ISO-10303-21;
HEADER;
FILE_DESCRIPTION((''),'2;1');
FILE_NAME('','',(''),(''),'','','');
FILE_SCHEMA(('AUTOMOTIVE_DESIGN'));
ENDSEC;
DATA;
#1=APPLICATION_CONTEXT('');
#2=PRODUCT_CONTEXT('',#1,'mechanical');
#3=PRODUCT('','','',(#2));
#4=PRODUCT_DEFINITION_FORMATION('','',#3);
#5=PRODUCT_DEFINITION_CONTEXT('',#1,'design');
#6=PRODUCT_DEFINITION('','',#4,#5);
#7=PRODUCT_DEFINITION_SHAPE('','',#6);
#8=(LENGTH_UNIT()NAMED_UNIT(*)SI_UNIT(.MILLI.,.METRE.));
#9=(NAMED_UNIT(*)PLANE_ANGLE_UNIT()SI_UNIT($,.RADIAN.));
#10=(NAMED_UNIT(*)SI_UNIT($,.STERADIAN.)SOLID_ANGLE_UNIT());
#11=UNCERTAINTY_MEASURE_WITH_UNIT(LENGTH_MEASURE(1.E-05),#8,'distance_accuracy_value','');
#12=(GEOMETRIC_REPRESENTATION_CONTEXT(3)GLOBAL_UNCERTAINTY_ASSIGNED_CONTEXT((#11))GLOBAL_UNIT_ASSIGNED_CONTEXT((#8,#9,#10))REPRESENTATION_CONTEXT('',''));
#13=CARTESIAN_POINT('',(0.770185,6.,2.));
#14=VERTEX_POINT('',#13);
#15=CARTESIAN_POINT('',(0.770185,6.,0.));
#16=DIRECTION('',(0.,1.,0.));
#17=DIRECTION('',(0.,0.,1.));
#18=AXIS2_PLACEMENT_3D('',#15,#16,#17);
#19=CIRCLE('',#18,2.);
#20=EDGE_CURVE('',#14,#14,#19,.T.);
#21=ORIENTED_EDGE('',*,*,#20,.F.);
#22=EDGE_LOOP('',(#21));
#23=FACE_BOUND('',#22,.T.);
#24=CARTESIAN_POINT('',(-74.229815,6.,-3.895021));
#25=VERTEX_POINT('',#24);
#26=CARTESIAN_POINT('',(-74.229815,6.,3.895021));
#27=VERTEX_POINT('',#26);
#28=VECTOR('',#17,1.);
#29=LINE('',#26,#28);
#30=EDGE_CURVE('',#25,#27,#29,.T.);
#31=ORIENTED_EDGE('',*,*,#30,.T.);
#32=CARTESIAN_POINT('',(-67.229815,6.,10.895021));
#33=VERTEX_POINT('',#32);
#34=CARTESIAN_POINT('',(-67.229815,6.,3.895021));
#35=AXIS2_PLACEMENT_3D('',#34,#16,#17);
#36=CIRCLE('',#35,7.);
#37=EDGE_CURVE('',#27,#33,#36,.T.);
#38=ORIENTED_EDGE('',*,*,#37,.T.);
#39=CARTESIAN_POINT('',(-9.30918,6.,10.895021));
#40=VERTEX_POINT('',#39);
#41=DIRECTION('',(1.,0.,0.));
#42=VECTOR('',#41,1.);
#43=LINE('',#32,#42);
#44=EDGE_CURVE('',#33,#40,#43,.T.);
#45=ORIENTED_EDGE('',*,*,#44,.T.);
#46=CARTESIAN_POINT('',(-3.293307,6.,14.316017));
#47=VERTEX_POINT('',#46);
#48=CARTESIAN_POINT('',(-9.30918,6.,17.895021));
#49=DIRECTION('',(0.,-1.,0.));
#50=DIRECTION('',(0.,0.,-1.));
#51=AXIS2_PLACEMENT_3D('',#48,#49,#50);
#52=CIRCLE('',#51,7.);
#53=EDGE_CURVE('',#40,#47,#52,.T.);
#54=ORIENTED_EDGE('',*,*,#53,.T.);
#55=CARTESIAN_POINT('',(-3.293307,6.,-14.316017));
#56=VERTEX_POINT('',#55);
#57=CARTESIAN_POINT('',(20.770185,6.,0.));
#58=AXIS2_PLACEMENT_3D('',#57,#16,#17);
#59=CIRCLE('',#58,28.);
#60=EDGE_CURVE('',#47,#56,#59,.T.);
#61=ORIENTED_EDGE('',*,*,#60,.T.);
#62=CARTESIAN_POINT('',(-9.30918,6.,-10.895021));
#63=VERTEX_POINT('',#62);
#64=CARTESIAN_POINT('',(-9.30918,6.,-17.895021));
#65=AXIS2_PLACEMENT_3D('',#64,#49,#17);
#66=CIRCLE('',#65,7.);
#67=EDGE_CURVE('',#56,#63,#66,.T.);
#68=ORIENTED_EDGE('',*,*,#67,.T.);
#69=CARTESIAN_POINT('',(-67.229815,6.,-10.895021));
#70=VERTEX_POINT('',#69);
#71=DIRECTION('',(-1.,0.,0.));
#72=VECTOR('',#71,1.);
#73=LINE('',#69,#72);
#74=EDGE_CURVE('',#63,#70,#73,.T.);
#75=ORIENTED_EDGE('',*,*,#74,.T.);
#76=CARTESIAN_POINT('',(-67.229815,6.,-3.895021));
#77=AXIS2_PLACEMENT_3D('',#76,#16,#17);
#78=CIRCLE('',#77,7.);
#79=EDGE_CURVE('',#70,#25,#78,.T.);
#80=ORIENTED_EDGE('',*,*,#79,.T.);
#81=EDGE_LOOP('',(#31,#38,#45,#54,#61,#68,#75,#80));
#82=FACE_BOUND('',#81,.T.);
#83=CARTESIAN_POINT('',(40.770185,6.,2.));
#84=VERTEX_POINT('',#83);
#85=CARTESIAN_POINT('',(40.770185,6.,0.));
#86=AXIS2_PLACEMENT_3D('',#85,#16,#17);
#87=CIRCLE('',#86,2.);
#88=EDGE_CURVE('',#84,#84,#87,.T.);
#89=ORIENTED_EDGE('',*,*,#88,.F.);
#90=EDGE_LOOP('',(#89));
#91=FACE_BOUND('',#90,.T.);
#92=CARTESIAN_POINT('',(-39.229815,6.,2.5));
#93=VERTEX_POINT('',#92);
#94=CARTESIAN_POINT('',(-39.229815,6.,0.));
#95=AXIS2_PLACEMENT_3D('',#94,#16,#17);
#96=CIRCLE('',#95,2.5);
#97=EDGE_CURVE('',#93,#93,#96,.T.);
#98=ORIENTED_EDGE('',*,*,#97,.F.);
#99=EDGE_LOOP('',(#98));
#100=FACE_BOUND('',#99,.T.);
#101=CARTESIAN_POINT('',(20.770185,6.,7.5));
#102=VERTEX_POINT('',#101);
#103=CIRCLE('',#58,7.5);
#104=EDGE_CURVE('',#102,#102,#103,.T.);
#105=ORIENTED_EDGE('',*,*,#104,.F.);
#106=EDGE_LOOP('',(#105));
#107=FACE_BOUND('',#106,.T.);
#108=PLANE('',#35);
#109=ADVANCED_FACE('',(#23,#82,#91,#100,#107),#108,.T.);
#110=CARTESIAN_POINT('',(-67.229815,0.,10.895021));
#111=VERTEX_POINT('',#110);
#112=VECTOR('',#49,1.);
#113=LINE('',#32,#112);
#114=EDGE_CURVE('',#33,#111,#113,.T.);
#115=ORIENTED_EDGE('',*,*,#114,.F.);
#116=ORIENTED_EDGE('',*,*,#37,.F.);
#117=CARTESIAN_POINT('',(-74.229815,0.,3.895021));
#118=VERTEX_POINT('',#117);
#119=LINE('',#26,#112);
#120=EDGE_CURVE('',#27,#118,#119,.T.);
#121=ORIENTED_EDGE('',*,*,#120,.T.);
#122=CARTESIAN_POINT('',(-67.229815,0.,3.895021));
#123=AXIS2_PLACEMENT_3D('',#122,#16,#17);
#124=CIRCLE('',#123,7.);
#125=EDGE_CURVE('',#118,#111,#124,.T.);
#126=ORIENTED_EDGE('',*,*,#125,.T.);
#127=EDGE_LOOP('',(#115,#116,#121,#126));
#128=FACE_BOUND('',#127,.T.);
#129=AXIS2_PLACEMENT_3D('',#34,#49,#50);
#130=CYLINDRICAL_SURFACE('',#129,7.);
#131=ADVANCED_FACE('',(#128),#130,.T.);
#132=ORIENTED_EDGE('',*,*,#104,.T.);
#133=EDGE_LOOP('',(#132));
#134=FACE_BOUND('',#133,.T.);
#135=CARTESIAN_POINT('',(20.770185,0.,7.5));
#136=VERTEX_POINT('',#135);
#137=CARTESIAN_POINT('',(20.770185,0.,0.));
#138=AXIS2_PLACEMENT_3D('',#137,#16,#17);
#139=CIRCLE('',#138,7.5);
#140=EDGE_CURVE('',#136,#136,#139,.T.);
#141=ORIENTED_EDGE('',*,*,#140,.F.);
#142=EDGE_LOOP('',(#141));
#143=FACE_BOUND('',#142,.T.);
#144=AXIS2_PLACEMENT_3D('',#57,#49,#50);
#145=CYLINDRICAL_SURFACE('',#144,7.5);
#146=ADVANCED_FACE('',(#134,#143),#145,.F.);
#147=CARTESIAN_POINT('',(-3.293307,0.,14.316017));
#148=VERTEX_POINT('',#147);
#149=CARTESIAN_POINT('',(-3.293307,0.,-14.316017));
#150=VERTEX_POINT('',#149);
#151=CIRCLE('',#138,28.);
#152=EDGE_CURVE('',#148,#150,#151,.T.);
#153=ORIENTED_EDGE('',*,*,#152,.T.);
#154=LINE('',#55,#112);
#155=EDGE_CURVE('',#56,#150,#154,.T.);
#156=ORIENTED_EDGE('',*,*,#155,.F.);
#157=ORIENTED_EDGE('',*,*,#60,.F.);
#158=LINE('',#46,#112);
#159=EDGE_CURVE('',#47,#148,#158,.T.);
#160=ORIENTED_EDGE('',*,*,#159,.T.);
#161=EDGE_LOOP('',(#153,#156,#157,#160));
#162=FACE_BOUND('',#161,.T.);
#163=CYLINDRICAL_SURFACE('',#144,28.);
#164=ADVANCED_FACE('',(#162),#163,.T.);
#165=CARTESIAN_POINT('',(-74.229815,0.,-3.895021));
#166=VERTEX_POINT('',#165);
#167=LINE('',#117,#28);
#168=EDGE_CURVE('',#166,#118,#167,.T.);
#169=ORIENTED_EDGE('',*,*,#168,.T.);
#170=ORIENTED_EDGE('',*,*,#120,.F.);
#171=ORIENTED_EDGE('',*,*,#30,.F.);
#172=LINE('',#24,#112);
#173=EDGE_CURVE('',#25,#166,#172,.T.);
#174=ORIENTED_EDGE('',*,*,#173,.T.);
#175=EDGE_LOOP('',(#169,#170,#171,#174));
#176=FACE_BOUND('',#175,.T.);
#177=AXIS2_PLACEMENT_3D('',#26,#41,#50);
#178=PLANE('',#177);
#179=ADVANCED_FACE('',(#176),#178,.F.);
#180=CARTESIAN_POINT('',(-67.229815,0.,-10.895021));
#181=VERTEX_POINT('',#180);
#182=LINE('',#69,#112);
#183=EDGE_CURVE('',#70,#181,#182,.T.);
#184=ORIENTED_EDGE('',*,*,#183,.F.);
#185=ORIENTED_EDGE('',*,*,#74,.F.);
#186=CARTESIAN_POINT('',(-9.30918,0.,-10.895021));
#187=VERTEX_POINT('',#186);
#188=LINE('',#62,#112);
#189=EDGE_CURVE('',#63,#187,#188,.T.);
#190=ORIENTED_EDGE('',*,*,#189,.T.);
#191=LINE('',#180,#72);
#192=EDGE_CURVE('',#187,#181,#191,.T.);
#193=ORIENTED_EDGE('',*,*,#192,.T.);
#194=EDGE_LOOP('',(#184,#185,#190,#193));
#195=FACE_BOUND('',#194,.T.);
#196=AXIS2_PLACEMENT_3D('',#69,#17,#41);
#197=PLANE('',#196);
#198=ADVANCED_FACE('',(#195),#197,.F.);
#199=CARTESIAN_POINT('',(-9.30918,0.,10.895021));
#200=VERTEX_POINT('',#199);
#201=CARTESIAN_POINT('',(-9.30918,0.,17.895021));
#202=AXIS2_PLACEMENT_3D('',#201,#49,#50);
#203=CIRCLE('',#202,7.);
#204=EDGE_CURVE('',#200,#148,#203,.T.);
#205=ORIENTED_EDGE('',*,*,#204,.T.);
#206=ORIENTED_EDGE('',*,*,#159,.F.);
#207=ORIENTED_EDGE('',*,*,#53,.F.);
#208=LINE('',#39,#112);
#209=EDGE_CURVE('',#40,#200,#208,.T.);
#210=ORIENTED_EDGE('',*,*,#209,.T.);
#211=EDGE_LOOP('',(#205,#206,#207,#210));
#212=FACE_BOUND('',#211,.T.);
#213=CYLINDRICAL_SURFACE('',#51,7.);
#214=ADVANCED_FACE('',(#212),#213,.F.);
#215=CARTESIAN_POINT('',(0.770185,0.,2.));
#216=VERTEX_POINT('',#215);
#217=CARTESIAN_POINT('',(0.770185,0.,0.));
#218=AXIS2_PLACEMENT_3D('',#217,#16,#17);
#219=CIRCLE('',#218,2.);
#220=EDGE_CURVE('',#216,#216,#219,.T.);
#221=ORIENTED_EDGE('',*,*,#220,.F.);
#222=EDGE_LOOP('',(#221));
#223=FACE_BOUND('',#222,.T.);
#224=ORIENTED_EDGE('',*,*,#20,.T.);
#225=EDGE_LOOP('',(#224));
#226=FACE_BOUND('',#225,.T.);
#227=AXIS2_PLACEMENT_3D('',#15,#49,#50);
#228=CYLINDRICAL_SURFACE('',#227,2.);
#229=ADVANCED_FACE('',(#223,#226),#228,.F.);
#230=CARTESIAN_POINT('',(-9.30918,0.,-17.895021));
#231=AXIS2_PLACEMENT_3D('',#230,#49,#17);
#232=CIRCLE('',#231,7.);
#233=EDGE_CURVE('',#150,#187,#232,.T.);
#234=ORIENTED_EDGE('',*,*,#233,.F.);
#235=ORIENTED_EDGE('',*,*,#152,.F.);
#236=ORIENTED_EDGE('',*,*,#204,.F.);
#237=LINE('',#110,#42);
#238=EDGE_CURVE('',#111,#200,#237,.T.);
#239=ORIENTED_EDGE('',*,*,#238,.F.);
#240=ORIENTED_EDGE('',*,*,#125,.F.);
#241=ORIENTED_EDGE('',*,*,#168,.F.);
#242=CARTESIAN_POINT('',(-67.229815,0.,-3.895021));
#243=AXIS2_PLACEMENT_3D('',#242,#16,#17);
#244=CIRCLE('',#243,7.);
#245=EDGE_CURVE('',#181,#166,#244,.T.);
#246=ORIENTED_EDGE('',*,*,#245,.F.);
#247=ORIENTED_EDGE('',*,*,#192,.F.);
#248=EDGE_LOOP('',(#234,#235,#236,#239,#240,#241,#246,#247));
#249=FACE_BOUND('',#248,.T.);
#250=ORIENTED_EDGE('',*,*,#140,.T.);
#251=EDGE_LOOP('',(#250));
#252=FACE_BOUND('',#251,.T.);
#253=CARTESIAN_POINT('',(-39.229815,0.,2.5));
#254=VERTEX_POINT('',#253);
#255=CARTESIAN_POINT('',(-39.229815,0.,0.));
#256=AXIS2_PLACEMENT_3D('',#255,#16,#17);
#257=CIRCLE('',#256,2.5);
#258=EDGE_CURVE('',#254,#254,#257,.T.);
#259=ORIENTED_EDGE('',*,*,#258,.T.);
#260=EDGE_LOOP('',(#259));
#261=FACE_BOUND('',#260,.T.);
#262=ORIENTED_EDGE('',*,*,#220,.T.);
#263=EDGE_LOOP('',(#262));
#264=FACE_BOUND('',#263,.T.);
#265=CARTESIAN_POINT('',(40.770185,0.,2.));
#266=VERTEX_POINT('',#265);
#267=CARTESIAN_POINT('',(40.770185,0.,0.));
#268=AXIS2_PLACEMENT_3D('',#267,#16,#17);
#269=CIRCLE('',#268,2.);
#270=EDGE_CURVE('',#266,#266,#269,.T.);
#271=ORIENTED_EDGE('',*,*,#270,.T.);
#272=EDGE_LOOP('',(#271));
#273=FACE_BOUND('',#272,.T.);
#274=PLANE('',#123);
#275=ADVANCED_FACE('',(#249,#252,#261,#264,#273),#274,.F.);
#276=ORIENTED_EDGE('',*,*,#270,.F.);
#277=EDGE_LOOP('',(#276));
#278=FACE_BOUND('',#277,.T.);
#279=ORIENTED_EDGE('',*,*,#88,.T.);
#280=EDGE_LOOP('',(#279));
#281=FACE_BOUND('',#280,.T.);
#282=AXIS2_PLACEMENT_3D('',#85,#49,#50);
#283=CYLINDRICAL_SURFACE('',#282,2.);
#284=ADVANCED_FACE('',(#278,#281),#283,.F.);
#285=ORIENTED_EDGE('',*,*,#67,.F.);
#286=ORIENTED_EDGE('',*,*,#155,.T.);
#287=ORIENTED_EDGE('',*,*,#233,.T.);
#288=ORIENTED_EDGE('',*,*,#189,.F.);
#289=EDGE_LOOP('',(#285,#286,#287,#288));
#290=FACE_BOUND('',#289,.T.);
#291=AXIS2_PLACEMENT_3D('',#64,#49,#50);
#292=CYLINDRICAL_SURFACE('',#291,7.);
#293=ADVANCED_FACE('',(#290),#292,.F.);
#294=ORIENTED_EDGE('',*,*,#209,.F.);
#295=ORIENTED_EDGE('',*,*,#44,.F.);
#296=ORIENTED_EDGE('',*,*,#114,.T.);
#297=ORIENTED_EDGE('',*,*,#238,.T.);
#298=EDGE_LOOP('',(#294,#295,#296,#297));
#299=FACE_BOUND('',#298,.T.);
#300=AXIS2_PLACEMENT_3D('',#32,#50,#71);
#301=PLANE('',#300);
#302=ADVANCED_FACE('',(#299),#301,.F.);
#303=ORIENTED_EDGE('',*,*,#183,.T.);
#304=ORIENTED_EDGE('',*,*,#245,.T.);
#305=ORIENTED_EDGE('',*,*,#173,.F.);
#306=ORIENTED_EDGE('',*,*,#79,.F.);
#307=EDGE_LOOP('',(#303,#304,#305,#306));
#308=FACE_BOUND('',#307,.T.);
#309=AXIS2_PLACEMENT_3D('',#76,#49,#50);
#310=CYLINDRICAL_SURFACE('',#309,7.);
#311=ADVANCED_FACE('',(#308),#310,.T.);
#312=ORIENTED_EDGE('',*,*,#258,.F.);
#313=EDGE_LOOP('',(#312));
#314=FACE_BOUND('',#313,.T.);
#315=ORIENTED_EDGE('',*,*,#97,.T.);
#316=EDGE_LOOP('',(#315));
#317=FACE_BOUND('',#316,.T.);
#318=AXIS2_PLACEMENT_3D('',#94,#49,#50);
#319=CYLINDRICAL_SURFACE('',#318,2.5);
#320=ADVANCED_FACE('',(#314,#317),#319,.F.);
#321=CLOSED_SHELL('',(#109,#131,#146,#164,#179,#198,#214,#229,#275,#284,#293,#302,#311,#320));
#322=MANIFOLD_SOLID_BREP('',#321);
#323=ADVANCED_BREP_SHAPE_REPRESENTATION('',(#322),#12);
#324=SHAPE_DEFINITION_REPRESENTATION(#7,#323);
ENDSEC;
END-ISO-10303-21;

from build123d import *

# Parameters (mm, degrees)
ESQUISSE1_R        = 2
ESQUISSE1_R_2      = 7.5
ESQUISSE1_R_3      = 2.5
BOSS_EXTRU_1_DEPTH = 6


with BuildPart() as part:
    # Esquisse1 → Boss.-Extru.1 (new body)
    with BuildSketch(Plane(origin=(0, 0, 0), x_dir=(1, 0, 0), z_dir=(0, 1, 0))):
        with BuildLine():
            Line((-74.229814571, -3.895021171), (-74.229814571, 3.895021171))
            ThreePointArc((-74.229814571, 3.895021171), (-72.17956204, 8.844768639), (-67.229814571, 10.895021171))
            Line((-67.229814571, 10.895021171), (-9.309179879, 10.895021171))
            ThreePointArc((-9.309179879, 10.895021171), (-5.848907465, 11.810079526), (-3.293306817, 14.316016937))
            ThreePointArc((-3.293306817, 14.316016937), (48.770185429, 0), (-3.293306817, -14.316016937))
            ThreePointArc((-3.293306817, -14.316016937), (-5.848907465, -11.810079526), (-9.309179879, -10.895021171))
            Line((-9.309179879, -10.895021171), (-67.229814571, -10.895021171))
            ThreePointArc((-67.229814571, -10.895021171), (-72.17956204, -8.844768639), (-74.229814571, -3.895021171))
        make_face()
        with Locations((40.770185429, 0)):
            Circle(ESQUISSE1_R, mode=Mode.SUBTRACT)
        with Locations((20.770185429, 0)):
            Circle(ESQUISSE1_R_2, mode=Mode.SUBTRACT)
        with Locations((0.770185429, 0)):
            Circle(ESQUISSE1_R, mode=Mode.SUBTRACT)
        with Locations((-39.229814571, 0)):
            Circle(ESQUISSE1_R_3, mode=Mode.SUBTRACT)
    extrude(amount=BOSS_EXTRU_1_DEPTH)


solid = part.part
